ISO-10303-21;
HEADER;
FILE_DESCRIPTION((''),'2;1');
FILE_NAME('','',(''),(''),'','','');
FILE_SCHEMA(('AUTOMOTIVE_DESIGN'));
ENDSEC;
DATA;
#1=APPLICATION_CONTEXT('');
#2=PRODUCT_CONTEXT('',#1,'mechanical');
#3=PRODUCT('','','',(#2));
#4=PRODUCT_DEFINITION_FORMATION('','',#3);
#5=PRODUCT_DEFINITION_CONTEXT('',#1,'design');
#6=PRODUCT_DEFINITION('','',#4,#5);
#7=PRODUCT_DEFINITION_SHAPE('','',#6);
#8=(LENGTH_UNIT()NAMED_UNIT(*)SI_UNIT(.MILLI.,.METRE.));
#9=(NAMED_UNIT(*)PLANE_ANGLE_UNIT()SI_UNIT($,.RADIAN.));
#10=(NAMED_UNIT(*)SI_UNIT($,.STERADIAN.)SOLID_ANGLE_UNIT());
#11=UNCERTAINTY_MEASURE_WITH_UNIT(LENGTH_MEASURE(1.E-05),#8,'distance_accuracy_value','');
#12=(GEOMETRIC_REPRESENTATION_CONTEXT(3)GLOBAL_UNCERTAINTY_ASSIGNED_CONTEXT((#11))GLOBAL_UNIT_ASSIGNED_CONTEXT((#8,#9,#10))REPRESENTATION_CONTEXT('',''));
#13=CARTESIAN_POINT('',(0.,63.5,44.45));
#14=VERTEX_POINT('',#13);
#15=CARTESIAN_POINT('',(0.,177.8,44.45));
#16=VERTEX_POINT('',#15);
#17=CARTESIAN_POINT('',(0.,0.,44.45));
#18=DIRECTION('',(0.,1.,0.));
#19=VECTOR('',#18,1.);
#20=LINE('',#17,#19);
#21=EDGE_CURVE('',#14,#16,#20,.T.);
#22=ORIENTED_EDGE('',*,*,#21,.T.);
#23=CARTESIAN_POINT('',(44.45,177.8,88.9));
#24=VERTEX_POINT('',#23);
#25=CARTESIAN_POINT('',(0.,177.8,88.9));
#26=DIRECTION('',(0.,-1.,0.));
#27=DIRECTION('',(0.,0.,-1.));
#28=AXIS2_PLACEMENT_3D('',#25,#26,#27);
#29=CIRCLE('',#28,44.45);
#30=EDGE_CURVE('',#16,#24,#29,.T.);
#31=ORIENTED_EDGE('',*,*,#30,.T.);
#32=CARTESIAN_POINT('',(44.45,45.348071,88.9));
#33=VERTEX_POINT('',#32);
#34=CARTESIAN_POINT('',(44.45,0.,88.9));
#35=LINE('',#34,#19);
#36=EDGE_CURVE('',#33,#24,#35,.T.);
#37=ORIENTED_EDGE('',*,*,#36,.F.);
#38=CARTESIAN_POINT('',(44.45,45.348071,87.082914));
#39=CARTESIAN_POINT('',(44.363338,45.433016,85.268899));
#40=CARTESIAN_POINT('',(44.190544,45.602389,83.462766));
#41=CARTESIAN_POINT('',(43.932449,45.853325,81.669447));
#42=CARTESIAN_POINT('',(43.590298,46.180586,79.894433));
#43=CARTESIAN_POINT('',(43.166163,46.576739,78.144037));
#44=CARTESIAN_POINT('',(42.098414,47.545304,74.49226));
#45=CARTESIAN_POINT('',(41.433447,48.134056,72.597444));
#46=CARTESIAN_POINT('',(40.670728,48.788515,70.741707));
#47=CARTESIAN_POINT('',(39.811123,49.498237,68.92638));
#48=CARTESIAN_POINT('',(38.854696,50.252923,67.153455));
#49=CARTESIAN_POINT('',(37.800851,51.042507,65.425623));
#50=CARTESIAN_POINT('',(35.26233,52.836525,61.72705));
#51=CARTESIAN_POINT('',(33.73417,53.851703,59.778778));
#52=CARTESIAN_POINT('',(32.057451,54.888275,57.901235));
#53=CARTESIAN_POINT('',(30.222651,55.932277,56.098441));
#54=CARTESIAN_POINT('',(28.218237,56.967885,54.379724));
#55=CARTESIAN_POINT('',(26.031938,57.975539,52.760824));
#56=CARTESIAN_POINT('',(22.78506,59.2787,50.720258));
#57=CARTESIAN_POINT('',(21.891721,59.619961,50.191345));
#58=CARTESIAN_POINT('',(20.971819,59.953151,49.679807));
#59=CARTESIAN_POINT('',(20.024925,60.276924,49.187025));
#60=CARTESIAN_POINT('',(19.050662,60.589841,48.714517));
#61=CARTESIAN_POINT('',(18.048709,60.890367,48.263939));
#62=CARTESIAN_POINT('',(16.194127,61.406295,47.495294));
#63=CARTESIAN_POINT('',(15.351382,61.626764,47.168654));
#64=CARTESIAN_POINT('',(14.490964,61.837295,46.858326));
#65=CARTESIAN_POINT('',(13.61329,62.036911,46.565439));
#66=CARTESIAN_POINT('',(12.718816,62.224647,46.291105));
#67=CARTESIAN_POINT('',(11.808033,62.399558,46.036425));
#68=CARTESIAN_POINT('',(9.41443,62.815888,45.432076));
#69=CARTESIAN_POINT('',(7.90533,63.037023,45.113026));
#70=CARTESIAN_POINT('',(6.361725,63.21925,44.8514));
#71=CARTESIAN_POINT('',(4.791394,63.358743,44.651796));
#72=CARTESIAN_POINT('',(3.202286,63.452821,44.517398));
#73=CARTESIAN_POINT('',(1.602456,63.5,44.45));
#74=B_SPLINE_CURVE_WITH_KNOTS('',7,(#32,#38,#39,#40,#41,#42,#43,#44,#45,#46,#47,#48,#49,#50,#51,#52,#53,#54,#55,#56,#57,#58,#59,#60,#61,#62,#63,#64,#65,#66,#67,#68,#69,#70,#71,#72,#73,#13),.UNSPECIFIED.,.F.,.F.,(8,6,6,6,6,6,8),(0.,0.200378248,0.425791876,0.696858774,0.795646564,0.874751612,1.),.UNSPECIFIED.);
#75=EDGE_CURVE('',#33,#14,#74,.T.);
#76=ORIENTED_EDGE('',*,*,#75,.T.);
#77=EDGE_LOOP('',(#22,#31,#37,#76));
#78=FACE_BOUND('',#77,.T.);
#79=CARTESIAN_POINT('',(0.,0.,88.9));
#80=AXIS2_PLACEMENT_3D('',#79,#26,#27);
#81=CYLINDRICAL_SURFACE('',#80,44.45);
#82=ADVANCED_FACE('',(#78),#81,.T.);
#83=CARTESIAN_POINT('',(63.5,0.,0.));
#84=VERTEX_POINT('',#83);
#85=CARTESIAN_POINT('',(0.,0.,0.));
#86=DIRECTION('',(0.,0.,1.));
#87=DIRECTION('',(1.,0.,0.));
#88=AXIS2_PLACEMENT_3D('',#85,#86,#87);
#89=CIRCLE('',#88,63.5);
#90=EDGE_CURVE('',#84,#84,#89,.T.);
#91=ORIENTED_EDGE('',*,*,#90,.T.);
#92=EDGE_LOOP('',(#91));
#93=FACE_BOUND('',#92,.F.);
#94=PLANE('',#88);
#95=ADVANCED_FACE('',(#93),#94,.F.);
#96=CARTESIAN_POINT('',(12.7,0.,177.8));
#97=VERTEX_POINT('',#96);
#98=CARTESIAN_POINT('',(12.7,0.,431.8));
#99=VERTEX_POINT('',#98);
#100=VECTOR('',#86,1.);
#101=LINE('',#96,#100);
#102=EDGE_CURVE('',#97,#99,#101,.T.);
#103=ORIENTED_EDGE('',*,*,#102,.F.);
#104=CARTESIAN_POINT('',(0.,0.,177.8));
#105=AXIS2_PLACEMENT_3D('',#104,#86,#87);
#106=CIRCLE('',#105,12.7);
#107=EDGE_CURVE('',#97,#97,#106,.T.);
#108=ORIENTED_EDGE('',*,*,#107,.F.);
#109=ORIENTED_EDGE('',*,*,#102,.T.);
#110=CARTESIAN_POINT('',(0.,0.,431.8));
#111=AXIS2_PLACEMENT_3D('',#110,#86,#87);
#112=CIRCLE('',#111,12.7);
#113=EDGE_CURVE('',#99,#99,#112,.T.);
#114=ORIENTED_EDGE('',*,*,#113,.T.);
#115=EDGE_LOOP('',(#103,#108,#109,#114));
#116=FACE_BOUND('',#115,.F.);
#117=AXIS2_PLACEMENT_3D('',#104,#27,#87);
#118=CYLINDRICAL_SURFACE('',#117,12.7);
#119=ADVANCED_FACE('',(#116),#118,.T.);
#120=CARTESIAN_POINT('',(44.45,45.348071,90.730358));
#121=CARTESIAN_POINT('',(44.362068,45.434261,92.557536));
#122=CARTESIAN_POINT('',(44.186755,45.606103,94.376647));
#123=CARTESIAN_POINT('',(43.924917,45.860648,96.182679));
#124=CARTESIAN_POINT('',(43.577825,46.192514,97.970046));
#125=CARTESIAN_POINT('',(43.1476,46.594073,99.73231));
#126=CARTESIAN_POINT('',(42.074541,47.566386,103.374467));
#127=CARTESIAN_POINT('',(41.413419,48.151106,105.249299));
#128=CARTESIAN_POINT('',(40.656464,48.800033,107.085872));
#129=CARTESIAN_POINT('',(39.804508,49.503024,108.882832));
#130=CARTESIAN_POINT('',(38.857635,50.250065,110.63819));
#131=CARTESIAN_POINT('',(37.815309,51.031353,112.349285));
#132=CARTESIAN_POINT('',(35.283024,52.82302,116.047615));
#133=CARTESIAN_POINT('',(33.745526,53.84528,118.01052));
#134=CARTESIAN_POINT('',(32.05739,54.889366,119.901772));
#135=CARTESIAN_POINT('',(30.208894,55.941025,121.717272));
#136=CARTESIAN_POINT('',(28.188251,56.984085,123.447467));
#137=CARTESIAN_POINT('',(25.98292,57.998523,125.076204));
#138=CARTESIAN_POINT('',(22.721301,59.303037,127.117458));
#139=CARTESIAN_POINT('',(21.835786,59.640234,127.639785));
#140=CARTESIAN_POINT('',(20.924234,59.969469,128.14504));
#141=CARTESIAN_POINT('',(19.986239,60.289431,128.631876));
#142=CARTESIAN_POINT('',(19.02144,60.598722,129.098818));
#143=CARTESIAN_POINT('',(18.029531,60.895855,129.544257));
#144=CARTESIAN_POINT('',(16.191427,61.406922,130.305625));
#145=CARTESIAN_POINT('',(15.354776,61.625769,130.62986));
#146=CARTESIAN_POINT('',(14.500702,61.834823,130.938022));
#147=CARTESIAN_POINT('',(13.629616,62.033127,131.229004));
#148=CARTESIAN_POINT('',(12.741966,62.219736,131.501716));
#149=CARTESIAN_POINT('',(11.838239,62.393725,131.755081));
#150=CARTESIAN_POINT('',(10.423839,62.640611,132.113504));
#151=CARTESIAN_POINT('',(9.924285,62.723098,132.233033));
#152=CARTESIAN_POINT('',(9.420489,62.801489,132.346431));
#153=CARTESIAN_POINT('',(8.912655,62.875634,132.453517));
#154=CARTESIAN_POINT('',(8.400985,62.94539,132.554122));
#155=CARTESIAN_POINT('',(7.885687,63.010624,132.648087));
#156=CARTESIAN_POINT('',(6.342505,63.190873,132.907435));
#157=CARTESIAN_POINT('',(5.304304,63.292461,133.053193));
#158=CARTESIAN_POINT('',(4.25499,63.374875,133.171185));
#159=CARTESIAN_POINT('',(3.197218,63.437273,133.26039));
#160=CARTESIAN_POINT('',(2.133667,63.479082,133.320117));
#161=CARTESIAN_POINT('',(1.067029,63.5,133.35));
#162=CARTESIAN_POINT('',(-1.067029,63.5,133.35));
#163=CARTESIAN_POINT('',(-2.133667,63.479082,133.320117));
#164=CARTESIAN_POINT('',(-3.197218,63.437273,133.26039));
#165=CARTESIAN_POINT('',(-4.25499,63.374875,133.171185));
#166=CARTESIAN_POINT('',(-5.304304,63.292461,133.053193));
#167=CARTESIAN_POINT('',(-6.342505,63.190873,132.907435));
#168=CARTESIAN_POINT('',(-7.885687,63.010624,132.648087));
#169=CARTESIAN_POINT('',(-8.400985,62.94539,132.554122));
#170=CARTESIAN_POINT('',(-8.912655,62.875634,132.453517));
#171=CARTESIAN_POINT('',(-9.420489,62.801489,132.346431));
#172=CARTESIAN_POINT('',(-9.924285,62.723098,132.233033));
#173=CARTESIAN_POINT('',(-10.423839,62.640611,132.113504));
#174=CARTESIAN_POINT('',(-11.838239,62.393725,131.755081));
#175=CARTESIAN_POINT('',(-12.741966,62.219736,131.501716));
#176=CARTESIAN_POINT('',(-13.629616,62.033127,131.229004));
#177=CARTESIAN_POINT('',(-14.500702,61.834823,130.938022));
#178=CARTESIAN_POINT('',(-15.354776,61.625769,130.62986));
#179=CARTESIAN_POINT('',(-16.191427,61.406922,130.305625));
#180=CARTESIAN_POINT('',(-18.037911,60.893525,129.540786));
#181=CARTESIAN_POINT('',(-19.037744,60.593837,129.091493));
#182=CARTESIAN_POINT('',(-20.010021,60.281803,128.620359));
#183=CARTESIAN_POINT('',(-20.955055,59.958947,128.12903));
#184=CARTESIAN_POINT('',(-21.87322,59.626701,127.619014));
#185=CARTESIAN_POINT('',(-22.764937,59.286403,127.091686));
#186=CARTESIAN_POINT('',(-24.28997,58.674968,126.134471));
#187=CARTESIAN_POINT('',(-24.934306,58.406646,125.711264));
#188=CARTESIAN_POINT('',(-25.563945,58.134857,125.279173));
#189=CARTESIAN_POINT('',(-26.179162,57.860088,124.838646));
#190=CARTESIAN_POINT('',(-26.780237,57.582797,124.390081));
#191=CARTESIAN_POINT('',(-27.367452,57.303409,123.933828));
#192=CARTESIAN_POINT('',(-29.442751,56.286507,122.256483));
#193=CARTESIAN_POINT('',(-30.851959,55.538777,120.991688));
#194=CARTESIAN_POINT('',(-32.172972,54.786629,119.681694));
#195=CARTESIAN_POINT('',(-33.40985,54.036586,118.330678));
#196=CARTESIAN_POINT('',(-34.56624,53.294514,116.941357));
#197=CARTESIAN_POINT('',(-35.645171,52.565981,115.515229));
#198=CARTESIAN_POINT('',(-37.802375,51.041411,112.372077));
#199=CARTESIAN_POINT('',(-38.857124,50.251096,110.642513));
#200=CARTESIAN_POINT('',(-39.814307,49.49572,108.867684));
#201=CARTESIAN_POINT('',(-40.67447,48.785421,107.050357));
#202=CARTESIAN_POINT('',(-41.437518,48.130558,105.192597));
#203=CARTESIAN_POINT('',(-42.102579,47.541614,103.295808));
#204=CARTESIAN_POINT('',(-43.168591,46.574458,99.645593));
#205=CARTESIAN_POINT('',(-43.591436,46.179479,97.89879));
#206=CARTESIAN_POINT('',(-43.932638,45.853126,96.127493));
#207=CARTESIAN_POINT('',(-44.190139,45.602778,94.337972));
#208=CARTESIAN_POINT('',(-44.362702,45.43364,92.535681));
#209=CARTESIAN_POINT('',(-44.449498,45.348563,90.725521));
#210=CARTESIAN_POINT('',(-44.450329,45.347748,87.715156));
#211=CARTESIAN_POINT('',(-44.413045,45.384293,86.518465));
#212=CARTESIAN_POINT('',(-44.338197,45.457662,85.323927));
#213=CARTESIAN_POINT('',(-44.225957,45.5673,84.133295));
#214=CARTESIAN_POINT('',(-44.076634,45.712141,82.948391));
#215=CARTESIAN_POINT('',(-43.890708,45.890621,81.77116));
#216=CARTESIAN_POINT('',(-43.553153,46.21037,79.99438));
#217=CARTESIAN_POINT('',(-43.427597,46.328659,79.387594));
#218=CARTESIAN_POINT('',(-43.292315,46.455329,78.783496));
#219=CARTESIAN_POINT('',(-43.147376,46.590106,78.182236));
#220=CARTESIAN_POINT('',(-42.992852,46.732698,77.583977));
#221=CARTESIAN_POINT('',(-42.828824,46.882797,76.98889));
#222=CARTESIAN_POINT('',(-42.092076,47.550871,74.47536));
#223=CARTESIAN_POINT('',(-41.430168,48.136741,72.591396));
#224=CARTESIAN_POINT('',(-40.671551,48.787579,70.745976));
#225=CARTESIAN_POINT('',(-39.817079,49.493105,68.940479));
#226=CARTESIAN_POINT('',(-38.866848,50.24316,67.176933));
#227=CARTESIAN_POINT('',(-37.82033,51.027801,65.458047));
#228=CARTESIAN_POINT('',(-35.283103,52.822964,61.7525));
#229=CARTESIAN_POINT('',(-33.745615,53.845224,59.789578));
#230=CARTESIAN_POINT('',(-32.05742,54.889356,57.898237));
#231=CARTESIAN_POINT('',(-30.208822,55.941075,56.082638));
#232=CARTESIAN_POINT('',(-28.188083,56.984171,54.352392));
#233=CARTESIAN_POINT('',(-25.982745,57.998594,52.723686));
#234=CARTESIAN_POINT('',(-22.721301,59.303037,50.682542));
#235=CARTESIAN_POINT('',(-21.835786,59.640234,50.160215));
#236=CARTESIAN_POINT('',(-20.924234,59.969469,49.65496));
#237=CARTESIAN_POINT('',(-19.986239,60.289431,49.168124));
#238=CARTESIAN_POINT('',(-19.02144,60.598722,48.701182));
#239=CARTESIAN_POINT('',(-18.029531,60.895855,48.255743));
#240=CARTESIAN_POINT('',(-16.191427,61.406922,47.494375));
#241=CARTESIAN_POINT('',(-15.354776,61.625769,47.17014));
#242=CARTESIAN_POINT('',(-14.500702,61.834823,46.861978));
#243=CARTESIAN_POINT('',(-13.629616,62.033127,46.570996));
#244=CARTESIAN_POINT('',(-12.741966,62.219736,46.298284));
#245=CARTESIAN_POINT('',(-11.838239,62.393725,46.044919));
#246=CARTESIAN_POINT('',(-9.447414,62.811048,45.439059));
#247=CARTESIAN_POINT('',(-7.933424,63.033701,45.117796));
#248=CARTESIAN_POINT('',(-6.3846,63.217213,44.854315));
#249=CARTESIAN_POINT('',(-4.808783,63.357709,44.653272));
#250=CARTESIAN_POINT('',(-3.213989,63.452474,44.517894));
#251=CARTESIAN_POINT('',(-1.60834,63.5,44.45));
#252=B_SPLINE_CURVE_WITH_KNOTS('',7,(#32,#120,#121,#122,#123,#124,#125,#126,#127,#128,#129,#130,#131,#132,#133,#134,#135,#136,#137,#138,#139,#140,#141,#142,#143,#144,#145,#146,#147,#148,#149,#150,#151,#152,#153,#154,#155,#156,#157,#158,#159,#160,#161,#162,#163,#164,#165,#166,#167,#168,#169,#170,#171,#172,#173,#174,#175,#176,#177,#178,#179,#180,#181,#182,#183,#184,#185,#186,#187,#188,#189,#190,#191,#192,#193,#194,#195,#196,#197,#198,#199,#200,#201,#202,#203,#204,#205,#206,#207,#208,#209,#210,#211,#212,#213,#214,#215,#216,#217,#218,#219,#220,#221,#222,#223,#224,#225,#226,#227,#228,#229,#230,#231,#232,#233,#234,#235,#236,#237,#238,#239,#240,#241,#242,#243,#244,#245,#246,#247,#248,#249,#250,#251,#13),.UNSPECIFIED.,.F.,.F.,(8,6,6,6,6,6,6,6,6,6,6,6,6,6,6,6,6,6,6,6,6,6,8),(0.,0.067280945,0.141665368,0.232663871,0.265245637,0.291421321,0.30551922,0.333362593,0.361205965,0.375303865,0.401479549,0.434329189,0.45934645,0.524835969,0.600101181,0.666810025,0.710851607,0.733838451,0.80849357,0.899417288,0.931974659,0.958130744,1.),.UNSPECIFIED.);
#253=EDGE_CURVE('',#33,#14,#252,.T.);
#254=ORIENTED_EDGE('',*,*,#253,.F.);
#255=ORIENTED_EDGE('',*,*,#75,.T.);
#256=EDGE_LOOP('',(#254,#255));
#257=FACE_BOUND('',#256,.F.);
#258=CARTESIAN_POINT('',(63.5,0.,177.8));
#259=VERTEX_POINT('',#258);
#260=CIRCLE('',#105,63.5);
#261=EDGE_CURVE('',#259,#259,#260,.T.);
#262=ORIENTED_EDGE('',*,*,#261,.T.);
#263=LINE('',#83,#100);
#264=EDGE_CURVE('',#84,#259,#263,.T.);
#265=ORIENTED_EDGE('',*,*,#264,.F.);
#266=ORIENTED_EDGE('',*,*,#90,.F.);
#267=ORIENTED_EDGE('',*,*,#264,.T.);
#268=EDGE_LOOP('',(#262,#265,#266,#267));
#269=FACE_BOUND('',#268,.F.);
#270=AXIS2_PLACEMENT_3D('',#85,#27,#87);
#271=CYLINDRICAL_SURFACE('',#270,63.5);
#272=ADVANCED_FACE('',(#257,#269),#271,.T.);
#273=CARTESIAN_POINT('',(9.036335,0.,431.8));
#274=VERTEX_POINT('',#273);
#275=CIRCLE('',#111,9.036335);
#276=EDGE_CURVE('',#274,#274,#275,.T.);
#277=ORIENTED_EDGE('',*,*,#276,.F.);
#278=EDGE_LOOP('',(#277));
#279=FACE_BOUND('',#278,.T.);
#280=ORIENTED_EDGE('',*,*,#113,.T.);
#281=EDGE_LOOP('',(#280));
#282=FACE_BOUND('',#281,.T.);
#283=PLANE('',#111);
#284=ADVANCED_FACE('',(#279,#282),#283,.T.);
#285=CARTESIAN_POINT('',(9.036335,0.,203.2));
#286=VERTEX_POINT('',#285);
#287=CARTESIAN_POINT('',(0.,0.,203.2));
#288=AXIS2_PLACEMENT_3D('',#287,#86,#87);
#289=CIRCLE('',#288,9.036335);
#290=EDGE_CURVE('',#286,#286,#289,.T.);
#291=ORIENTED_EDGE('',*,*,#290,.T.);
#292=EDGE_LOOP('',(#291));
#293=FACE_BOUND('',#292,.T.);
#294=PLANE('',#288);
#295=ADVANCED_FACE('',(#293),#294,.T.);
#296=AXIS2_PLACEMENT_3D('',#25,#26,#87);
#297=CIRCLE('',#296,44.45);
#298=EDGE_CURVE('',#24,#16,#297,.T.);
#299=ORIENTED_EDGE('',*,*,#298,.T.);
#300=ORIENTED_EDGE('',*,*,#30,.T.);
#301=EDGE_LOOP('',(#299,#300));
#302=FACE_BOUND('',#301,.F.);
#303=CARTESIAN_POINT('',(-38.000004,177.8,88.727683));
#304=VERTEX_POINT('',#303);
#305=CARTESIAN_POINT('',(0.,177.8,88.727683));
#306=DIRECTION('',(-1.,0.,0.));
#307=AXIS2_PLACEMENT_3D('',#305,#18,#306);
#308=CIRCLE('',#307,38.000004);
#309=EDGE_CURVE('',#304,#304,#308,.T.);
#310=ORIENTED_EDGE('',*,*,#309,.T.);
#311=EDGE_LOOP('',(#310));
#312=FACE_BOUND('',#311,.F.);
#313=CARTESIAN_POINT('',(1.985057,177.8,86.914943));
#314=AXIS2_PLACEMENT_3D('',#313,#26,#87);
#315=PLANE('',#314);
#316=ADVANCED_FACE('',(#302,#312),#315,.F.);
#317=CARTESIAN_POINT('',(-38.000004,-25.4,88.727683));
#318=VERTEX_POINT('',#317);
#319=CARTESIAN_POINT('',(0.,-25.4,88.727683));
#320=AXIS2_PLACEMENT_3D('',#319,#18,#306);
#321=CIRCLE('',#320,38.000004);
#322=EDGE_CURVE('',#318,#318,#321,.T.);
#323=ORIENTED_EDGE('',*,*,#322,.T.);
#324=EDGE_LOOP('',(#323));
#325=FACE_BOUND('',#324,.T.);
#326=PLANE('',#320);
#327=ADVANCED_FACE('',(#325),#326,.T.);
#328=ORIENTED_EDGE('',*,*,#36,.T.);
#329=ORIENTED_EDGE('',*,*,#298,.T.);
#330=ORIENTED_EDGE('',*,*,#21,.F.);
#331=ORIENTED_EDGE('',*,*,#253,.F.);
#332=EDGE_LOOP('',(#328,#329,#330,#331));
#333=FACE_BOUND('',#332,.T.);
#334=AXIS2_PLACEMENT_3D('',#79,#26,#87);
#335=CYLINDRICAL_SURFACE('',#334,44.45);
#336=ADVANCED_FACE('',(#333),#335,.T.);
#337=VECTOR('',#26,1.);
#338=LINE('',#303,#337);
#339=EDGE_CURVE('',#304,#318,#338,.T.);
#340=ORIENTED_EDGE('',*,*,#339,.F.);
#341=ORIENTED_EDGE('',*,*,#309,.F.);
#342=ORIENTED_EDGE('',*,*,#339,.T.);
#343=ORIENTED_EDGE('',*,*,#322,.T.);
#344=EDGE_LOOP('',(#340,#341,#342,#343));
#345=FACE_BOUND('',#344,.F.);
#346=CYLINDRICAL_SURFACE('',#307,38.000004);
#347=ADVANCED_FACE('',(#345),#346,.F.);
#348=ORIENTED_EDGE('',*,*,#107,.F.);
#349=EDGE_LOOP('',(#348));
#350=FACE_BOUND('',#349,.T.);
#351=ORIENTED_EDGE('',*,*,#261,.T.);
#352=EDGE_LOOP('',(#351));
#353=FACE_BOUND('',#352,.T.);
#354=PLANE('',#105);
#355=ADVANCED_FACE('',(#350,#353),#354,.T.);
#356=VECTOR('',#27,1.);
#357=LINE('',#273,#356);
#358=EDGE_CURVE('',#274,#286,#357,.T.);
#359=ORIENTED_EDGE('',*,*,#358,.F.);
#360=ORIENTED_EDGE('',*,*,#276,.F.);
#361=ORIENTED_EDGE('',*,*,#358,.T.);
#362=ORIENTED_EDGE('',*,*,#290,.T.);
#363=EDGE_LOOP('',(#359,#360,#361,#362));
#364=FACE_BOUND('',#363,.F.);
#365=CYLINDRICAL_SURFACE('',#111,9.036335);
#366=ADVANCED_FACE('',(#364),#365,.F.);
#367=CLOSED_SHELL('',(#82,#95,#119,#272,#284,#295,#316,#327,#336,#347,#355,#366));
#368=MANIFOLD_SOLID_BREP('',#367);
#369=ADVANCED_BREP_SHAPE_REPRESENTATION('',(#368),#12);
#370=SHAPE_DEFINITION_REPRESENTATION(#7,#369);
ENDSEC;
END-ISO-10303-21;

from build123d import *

# Parameters (mm, degrees)
F0_R      = 63.5
F1_DEPTH  = 177.8
F3_DEPTH  = 177.8
F5_R      = 12.7
F6_DEPTH  = 254
F7_R      = 38.0000038218
F8_DEPTH  = 203.2
F9_R      = 9.036335061
F10_DEPTH = 228.6


with BuildPart() as f1:
    # F0 (on Top) → F1 (new body)
    with BuildSketch(Plane.XY):
        Circle(F0_R)
    extrude(amount=F1_DEPTH)

    # F2 (on Front) → F3 (join)
    with BuildSketch(Plane.XZ):
        with BuildLine():
            ThreePointArc((0, 44.45), (31.4308964237, 57.4691035763), (44.45, 88.9))
            ThreePointArc((44.45, 88.9), (-31.4308964237, 120.3308964237), (0, 44.45))
        make_face()
    extrude(amount=-F3_DEPTH)

    # F5 (on face) → F6 (join)
    with BuildSketch(Plane.XY.offset(177.8)):
        Circle(F5_R)
    extrude(amount=F6_DEPTH)

    # F7 (on face) → F8 (cut)
    with BuildSketch(Plane(origin=(0, 177.8, 0), x_dir=(-1, 0, 0), z_dir=(0, 1, 0))):
        with Locations((0, 88.7276828289)):
            Circle(F7_R)
    extrude(amount=-F8_DEPTH, mode=Mode.SUBTRACT)

    # F9 (on face) → F10 (cut)
    with BuildSketch(Plane.XY.offset(431.8)):
        Circle(F9_R)
    extrude(amount=-F10_DEPTH, mode=Mode.SUBTRACT)


solid = f1.part
